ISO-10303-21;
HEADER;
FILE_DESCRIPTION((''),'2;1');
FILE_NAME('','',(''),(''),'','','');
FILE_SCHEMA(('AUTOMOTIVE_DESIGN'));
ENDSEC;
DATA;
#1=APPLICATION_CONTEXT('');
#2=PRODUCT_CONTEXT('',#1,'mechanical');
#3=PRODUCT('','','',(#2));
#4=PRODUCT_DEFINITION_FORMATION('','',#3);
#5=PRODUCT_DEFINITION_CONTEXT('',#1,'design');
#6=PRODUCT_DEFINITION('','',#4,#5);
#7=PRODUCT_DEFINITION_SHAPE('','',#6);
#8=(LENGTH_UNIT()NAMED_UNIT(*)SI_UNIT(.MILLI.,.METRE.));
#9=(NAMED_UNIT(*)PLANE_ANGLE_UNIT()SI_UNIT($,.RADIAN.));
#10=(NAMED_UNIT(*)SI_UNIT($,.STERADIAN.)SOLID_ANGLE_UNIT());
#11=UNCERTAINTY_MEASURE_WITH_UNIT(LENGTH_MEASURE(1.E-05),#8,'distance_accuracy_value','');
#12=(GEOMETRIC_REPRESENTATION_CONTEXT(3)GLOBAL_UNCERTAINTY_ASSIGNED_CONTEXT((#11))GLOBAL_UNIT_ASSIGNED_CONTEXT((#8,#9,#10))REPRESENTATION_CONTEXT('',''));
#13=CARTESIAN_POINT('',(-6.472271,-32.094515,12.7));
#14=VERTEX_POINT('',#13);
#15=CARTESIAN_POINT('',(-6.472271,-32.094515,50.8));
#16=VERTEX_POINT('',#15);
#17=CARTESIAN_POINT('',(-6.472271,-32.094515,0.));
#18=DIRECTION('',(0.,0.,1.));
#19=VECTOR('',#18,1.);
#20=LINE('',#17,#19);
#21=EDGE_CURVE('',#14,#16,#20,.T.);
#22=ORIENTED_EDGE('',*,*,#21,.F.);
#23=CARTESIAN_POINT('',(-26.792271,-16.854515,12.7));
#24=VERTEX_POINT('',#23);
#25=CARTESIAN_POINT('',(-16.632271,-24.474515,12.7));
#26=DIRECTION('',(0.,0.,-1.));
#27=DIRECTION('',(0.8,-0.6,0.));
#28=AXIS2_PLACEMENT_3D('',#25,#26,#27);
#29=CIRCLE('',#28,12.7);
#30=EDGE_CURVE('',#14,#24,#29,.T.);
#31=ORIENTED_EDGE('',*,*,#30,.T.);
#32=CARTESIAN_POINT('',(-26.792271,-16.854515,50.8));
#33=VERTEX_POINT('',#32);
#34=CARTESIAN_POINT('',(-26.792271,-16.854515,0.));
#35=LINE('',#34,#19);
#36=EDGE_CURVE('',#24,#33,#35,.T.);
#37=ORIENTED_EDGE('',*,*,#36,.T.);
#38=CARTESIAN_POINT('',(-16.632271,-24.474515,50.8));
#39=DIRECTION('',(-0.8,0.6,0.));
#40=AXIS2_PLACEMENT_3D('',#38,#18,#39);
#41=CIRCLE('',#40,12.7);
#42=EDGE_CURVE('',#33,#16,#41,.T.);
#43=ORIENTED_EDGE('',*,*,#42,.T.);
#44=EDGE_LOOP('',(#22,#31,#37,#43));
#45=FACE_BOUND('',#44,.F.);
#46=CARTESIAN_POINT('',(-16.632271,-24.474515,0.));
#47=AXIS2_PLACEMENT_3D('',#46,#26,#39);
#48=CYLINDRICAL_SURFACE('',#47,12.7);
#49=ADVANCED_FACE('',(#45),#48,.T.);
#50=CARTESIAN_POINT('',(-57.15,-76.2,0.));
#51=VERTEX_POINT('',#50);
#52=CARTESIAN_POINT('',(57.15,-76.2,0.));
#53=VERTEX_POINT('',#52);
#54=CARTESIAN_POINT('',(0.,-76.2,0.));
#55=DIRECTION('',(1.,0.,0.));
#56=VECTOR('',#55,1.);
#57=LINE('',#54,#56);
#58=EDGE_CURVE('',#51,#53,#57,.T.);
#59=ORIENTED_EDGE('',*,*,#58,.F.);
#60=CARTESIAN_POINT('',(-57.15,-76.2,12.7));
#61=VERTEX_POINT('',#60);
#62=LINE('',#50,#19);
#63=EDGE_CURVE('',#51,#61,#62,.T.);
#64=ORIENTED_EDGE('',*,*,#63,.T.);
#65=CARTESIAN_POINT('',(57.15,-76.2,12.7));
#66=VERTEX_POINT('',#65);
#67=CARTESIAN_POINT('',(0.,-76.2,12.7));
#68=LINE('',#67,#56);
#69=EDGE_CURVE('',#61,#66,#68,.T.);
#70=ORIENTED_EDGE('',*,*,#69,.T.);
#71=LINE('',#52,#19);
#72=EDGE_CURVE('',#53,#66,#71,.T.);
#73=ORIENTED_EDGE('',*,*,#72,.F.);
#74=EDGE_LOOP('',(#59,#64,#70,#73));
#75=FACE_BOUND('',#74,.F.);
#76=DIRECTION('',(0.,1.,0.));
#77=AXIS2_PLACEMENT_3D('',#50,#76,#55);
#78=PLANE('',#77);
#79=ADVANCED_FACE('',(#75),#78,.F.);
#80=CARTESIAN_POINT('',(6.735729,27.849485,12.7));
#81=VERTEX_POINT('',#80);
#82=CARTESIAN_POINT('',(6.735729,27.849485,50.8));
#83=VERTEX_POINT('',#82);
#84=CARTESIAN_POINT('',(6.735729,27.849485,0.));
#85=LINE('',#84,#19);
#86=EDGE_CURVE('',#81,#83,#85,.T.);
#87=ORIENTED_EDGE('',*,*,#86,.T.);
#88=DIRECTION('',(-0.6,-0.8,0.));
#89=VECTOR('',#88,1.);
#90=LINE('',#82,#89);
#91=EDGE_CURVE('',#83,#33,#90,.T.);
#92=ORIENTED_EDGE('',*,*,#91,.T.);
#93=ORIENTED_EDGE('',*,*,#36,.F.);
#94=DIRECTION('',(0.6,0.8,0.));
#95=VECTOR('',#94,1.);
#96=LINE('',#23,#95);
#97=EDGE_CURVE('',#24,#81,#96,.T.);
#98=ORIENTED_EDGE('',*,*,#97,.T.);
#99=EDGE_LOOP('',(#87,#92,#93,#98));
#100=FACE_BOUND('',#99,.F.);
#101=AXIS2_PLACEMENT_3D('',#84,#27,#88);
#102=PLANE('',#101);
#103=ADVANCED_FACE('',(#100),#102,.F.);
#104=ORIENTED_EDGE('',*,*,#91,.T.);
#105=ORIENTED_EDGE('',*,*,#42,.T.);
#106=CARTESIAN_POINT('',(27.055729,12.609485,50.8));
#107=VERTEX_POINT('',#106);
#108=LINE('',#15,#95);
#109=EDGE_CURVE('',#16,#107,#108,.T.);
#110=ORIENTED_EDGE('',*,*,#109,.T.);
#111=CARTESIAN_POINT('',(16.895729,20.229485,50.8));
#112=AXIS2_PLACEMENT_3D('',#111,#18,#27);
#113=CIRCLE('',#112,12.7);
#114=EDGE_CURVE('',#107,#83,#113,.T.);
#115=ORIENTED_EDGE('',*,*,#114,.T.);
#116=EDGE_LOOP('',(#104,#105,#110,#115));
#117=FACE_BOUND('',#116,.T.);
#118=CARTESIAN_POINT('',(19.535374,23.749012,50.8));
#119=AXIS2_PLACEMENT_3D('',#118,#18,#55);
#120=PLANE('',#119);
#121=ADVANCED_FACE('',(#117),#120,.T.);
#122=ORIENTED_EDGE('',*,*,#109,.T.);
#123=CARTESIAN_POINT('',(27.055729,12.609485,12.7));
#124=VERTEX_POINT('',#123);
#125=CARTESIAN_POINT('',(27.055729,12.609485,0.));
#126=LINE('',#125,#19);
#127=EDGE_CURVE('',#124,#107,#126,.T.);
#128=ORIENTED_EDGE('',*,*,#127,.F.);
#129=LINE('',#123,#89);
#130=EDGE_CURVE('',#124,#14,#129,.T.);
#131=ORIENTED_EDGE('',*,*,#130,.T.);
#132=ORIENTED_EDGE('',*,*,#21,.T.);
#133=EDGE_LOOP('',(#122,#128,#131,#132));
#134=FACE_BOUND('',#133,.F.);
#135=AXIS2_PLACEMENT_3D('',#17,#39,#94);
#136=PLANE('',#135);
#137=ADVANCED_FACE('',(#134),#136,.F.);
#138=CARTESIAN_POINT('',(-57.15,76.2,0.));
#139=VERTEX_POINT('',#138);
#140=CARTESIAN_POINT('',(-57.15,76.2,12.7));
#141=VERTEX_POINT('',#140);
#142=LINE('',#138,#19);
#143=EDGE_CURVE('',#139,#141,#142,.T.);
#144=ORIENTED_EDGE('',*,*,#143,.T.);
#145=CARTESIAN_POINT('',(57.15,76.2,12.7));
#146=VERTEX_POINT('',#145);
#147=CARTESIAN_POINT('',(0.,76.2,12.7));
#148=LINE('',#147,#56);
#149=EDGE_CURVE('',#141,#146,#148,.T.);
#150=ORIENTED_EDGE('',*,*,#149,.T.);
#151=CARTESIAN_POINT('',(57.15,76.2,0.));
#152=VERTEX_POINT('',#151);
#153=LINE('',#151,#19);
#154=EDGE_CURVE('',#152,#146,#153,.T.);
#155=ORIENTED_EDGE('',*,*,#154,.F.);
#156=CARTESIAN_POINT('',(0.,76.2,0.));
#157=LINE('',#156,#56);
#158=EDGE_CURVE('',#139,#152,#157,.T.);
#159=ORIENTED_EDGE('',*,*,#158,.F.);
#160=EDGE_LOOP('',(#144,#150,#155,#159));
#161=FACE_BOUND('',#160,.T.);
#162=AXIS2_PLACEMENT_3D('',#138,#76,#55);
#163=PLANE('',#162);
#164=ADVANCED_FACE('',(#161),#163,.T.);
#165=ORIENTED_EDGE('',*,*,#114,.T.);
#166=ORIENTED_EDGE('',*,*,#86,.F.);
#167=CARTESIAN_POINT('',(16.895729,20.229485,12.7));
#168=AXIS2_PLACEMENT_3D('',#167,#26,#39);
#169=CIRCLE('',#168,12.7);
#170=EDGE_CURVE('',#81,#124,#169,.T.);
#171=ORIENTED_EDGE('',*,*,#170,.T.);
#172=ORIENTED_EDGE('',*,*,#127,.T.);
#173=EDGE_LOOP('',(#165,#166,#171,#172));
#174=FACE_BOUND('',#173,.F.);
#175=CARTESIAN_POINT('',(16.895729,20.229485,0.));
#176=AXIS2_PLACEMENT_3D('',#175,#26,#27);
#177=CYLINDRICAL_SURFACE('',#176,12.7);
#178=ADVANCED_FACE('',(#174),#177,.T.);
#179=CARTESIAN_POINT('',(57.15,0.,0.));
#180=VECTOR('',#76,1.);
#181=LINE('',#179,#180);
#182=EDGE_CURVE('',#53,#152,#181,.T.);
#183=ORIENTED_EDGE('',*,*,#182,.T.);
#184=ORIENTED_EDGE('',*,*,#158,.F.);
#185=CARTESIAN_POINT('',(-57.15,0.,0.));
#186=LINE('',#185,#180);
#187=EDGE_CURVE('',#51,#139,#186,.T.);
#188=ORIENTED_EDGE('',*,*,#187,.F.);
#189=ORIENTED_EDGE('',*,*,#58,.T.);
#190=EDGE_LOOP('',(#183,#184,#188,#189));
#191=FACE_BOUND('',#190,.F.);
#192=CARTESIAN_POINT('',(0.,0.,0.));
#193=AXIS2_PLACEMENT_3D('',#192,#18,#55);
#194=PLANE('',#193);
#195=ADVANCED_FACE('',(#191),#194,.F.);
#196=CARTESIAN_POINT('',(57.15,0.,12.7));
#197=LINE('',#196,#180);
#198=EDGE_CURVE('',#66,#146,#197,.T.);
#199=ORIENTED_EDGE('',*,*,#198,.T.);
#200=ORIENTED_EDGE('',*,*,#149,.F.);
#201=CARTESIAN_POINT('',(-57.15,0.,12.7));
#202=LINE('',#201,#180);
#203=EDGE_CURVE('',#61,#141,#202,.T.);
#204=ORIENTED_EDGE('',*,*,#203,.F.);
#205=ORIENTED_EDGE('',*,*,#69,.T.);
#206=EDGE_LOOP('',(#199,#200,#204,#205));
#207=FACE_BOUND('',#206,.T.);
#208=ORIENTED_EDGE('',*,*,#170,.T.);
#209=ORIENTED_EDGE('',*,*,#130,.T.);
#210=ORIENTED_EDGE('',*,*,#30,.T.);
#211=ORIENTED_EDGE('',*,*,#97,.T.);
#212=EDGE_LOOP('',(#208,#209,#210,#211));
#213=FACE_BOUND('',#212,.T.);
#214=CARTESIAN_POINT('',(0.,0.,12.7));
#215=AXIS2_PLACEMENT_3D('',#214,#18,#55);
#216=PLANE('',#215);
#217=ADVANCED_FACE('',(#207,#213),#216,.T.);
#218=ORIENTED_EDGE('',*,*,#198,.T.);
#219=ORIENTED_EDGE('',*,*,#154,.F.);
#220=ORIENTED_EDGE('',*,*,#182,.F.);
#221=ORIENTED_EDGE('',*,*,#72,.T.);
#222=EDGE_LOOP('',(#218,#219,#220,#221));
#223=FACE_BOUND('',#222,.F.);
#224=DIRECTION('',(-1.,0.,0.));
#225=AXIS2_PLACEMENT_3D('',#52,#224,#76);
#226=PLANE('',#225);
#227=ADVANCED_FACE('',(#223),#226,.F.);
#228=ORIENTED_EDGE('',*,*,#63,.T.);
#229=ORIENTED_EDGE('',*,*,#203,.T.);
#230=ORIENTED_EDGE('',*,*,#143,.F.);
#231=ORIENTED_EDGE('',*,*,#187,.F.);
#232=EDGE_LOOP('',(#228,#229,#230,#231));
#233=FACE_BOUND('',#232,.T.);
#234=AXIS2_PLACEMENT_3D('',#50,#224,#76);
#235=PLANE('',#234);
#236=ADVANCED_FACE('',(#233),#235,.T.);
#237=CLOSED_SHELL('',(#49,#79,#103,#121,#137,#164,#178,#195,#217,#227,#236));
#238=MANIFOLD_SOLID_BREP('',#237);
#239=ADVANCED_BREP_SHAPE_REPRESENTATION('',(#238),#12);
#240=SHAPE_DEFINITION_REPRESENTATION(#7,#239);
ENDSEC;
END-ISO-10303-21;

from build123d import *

# Parameters (mm, degrees)
F0_W     = 114.3
F0_H     = 152.4
F1_DEPTH = 12.7
F2_DEPTH = 50.8


with BuildPart() as f1:
    # F0 (on Top) → F1 (new body)
    with BuildSketch(Plane.XY):
        Rectangle(F0_W, F0_H)
        with BuildLine():
            Line((27.055729, 12.609485), (-6.472271, -32.094515))
            ThreePointArc((-6.472271, -32.094515), (-24.252271, -34.634515), (-26.792271, -16.854515))
            Line((-26.792271, -16.854515), (6.735729, 27.849485))
            ThreePointArc((6.735729, 27.849485), (24.515729, 30.389485), (27.055729, 12.609485))
        make_face(mode=Mode.SUBTRACT)
    extrude(amount=F1_DEPTH)

    # F0 (on Top) → F2 (join)
    with BuildSketch(Plane.XY):
        with BuildLine():
            Line((6.735729, 27.849485), (27.055729, 12.609485))
            ThreePointArc((27.055729, 12.609485), (24.515729, 30.389485), (6.735729, 27.849485))
        make_face()
        Polygon((-26.792271, -16.854515), (-6.472271, -32.094515), (27.055729, 12.609485), (6.735729, 27.849485), align=None)
        with BuildLine():
            ThreePointArc((-26.792271, -16.854515), (-24.252271, -34.634515), (-6.472271, -32.094515))
            Line((-6.472271, -32.094515), (-26.792271, -16.854515))
        make_face()
    extrude(amount=F2_DEPTH)


solid = f1.part
